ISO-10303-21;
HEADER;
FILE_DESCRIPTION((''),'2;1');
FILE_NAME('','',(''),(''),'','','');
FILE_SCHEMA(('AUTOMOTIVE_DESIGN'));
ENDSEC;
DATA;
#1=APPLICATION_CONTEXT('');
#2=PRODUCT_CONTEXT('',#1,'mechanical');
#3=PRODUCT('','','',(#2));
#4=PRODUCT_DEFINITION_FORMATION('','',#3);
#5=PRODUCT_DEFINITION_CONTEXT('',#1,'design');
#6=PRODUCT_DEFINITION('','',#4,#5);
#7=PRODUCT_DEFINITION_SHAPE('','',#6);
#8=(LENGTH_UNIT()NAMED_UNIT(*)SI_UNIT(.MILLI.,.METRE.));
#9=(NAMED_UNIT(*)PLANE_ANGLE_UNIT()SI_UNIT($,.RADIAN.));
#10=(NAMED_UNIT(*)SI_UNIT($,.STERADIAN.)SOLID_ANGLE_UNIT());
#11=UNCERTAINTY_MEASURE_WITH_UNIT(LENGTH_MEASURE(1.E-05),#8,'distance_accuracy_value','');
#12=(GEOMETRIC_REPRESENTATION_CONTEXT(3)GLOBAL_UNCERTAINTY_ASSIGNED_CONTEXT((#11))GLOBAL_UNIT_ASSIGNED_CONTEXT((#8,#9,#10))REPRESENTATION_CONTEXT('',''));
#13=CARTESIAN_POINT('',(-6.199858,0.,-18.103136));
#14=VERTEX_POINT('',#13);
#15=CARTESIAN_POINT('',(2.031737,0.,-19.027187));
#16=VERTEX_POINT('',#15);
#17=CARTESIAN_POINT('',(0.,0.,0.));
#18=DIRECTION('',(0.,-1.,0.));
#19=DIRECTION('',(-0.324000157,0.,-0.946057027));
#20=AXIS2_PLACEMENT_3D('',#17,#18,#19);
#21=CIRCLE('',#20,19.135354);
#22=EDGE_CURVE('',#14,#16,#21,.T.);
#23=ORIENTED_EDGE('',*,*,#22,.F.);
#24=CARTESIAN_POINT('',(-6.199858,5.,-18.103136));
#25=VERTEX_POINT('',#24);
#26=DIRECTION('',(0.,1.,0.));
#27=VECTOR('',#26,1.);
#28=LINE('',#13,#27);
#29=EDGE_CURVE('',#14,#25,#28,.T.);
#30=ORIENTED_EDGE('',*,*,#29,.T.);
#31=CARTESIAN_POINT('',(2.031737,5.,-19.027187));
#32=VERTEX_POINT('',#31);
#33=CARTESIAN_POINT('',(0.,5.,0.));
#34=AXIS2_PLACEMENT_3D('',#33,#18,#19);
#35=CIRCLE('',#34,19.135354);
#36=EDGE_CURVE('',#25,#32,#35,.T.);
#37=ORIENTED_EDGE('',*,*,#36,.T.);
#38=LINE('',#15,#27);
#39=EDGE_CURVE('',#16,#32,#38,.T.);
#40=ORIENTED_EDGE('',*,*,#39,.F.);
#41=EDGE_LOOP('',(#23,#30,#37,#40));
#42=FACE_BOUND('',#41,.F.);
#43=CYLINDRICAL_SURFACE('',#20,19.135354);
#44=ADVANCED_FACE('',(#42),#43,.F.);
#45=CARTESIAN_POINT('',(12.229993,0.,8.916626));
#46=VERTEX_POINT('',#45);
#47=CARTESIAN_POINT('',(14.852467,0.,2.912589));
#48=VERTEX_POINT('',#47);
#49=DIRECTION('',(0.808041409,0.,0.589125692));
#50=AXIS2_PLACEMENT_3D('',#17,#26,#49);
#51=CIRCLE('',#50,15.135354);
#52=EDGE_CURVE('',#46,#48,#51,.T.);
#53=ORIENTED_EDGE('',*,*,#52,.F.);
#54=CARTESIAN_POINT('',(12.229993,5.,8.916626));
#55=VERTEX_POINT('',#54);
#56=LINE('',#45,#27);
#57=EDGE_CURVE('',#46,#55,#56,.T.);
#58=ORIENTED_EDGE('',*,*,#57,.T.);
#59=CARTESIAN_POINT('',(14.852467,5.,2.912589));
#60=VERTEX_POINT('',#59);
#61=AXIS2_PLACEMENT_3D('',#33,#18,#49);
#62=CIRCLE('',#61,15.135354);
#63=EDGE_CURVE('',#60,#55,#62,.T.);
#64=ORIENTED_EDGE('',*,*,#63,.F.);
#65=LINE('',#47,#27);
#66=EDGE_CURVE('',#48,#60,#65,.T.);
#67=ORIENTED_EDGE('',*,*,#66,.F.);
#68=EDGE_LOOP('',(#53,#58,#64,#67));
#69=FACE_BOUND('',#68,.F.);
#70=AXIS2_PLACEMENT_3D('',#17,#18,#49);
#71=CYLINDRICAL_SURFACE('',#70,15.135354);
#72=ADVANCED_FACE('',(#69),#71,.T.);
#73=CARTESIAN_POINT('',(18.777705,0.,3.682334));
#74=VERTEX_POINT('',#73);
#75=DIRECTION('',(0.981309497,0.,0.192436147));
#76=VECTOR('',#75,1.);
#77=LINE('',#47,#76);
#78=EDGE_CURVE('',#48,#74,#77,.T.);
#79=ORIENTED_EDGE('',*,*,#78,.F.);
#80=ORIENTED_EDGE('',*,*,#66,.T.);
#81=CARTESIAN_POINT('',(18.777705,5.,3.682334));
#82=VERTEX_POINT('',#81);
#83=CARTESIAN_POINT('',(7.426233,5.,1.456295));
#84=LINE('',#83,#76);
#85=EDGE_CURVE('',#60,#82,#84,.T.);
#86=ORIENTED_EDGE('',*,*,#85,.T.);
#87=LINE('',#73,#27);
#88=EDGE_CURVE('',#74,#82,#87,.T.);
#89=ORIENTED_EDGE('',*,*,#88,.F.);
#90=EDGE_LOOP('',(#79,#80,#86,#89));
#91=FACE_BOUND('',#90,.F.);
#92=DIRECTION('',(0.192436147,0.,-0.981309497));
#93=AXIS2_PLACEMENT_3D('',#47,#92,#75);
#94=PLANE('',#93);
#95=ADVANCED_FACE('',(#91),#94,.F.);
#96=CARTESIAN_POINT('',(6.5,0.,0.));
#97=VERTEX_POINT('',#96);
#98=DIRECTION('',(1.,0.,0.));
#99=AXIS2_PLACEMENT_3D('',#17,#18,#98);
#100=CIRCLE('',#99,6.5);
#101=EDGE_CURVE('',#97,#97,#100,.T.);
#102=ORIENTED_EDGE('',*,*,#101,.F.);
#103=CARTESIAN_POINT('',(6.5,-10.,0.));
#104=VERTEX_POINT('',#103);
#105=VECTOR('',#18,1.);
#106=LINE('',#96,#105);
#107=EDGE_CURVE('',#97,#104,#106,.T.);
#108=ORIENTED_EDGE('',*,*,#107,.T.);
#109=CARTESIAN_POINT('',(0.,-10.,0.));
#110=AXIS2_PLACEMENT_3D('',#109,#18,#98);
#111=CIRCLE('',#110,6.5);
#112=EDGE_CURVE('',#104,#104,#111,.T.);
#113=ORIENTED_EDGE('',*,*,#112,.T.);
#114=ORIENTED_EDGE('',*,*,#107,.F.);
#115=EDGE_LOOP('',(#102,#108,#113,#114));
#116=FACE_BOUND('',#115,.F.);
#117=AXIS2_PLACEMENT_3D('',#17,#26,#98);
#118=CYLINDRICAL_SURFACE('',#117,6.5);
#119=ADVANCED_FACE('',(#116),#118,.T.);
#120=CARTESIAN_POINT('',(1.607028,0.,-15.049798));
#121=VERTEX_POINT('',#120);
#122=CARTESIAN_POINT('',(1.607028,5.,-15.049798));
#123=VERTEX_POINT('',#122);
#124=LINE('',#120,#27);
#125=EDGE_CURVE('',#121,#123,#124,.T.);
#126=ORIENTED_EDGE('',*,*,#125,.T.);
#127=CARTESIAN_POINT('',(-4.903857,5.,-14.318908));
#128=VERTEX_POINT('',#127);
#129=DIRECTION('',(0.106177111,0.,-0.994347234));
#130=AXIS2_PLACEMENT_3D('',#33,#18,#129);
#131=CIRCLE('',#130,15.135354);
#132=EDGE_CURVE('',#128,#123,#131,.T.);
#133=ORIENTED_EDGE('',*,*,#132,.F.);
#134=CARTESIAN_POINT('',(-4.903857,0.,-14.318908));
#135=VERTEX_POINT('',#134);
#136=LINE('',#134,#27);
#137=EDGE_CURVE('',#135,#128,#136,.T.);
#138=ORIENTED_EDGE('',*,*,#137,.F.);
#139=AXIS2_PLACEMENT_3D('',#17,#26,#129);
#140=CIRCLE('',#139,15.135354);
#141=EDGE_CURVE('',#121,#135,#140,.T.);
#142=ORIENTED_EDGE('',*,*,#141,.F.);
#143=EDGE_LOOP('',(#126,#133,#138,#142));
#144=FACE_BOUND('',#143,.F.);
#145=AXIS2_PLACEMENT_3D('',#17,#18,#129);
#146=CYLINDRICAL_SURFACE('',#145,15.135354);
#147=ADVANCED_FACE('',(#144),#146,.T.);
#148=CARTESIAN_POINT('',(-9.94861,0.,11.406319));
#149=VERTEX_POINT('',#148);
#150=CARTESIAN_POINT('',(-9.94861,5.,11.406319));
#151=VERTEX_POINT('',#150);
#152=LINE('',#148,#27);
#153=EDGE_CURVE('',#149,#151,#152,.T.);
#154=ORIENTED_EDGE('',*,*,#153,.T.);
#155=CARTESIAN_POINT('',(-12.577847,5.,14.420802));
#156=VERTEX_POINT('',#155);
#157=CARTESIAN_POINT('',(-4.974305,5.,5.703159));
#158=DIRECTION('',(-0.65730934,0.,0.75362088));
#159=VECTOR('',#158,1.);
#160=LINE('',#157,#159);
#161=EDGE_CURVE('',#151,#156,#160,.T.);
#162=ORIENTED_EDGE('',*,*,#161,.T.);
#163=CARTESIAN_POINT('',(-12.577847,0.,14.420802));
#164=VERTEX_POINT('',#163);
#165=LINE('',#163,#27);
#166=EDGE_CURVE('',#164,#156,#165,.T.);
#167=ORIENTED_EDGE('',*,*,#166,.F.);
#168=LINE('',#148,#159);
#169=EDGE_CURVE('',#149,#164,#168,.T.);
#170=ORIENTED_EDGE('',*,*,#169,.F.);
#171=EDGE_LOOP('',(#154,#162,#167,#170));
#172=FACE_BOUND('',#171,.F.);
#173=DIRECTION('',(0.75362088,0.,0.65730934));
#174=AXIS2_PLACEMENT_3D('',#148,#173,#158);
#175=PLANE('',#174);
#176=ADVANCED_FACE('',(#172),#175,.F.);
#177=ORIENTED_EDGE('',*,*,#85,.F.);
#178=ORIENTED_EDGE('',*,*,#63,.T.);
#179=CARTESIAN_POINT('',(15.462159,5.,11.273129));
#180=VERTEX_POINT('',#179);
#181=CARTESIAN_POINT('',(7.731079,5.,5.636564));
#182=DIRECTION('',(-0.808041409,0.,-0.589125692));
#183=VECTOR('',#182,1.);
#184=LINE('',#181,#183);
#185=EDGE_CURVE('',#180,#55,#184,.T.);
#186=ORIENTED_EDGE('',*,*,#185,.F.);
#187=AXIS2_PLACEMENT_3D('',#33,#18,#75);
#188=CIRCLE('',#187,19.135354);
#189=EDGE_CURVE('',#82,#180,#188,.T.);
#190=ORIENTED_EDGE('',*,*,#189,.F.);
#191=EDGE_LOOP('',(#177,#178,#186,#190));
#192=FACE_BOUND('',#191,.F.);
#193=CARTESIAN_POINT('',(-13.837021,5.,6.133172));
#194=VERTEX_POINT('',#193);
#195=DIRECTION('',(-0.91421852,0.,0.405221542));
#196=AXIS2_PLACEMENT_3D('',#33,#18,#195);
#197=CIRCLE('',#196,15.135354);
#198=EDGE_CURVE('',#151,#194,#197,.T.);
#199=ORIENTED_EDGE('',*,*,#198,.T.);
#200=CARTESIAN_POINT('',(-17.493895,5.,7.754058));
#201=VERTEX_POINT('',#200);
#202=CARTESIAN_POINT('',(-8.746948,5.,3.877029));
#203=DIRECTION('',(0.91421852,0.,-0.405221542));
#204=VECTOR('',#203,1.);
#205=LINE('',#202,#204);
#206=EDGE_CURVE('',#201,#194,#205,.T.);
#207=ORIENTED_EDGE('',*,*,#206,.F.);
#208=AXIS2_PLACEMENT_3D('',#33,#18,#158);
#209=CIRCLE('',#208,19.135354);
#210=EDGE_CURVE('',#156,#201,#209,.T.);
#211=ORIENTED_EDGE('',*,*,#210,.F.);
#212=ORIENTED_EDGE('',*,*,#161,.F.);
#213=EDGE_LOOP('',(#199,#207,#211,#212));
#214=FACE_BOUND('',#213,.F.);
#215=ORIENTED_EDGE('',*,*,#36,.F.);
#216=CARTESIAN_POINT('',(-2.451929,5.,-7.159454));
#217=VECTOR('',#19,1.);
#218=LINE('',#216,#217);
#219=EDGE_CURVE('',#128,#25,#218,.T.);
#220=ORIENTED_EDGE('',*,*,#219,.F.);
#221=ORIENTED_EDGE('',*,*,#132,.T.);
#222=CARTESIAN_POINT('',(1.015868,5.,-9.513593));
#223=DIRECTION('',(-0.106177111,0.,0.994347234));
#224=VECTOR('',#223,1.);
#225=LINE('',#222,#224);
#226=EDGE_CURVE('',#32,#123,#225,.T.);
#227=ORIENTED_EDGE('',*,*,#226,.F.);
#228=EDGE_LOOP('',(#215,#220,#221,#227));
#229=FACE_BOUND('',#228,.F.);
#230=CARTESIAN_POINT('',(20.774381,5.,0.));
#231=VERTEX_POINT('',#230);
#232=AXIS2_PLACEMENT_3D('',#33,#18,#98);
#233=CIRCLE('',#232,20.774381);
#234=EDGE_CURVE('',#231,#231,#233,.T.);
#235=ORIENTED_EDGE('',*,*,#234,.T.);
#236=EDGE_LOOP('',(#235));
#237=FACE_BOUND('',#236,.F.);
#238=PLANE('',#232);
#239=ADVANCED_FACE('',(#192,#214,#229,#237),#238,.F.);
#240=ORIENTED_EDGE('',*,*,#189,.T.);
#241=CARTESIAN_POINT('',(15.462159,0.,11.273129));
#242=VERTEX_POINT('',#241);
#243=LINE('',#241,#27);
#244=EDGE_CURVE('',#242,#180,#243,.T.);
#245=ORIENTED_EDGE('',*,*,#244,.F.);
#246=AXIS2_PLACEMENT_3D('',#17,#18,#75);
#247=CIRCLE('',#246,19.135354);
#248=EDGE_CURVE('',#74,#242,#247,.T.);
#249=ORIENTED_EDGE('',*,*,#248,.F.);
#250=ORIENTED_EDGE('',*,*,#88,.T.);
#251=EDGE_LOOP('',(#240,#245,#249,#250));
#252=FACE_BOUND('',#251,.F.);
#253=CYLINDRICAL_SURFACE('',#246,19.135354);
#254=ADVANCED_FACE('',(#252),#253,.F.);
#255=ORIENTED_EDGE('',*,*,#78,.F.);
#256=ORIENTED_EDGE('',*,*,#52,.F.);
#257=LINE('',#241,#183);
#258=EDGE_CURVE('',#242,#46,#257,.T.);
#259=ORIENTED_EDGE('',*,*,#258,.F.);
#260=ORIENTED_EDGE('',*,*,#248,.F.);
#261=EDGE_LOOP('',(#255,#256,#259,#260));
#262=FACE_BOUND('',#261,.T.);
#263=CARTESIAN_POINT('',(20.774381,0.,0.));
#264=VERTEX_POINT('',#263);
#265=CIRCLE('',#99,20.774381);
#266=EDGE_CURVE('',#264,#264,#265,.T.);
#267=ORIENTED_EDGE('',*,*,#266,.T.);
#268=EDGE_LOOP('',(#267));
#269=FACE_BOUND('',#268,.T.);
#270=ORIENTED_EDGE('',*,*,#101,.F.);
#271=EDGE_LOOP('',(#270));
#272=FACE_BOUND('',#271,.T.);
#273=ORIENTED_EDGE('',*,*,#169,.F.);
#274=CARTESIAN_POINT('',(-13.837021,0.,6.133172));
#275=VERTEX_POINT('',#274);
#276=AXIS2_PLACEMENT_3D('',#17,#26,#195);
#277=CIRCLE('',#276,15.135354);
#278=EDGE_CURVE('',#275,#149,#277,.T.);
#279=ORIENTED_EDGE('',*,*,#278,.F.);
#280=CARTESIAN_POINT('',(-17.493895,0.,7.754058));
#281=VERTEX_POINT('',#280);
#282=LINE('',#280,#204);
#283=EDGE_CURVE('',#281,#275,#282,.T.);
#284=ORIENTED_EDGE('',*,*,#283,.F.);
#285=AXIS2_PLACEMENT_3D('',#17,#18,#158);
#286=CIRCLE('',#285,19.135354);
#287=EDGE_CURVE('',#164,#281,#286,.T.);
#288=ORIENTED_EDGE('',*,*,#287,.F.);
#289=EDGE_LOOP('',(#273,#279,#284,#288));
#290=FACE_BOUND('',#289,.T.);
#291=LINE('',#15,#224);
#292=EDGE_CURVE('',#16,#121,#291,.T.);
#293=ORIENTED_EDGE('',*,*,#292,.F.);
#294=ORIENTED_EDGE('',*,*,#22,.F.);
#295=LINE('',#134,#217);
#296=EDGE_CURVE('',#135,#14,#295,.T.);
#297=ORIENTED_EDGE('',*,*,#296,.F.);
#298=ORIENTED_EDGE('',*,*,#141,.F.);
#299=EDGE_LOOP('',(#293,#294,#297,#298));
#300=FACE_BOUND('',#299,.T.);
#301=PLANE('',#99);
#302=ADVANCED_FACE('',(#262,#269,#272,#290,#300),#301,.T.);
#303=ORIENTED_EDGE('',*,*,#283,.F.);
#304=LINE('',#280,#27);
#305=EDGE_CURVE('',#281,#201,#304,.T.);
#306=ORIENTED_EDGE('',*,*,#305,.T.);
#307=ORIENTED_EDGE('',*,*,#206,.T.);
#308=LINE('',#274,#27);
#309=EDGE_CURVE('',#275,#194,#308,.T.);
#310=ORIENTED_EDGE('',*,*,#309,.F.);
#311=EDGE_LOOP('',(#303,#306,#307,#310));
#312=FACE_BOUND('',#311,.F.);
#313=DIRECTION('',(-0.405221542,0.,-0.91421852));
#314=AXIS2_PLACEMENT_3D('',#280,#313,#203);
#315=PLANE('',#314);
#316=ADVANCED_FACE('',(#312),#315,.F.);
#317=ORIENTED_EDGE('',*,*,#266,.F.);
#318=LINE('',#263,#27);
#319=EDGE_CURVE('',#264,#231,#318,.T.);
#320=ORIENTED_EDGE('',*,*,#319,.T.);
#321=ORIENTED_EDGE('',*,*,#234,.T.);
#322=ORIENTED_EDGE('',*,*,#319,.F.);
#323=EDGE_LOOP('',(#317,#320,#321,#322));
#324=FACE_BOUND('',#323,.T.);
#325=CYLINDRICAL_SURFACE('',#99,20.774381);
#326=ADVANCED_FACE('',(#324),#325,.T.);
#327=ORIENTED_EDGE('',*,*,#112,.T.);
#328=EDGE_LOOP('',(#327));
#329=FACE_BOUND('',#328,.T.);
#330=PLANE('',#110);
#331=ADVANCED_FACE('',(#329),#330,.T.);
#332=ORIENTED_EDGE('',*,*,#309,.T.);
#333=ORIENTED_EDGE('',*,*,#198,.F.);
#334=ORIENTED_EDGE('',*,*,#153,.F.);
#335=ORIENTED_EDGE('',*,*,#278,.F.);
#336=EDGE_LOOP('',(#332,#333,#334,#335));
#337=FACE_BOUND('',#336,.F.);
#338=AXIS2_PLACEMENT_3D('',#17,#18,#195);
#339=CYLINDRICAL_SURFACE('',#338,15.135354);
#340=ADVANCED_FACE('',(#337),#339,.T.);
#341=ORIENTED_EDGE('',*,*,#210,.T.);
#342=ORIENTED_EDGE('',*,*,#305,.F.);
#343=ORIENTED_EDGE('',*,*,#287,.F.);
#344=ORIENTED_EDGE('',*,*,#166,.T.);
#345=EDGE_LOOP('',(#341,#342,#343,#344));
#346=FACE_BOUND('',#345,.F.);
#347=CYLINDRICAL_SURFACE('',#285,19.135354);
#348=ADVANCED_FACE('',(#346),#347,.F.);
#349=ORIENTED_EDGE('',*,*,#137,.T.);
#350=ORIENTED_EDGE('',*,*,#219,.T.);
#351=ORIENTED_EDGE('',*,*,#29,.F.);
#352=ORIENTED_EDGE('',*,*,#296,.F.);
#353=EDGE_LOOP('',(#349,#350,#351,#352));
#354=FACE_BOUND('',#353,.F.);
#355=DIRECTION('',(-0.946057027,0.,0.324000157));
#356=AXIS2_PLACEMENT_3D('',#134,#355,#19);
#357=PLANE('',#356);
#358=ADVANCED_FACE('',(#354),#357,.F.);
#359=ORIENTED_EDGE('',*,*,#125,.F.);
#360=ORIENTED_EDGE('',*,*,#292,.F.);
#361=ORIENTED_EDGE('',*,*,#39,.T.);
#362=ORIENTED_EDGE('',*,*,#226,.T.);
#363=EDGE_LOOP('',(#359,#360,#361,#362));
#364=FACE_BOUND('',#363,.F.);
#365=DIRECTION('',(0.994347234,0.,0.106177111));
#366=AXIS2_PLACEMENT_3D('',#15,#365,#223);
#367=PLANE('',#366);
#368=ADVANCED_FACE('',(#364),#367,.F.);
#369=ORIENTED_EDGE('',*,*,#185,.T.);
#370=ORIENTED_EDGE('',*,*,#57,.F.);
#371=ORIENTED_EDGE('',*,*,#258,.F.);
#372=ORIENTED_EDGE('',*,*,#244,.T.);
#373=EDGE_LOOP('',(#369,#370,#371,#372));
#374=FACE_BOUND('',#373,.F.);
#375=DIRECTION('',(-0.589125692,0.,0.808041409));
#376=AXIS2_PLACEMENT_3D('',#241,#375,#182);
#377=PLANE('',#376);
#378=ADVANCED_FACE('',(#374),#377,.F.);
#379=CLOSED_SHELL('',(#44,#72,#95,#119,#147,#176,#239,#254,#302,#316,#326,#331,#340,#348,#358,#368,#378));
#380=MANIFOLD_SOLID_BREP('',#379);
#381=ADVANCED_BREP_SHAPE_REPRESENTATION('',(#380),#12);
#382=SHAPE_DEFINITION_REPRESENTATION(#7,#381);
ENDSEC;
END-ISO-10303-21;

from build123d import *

# Parameters (mm, degrees)
F0_R     = 6.5
F1_DEPTH = 10
F2_R     = 20.7743809462
F3_DEPTH = 5
F5_DEPTH = 25


with BuildPart() as f1:
    # F0 (on Front) → F1 (new body)
    with BuildSketch(Plane.XZ):
        Circle(F0_R)
    extrude(amount=F1_DEPTH)

    # F2 (on Front) → F3 (join)
    with BuildSketch(Plane.XZ):
        Circle(F2_R)
    extrude(amount=-F3_DEPTH)

    # F4 (on face) → F5 (cut)
    with BuildSketch(Plane.XZ):
        with BuildLine():
            Line((-9.9486096802, 11.406318953), (-12.577847041, 14.4208024743))
            ThreePointArc((-12.577847041, 14.4208024743), (-15.4009347645, 11.3566275174), (-17.493895192, 7.7540577249))
            Line((-17.493895192, 7.7540577249), (-13.8370211121, 6.1331715588))
            ThreePointArc((-13.8370211121, 6.1331715588), (-12.1815671778, 8.9826704114), (-9.9486096802, 11.406318953))
        make_face()
        with BuildLine():
            Line((14.8524668171, 2.9125892389), (18.7777048063, 3.6823338253))
            ThreePointArc((18.7777048063, 3.6823338253), (17.5355953137, 7.6592869894), (15.4621585682, 11.273128785))
            Line((15.4621585682, 11.273128785), (12.2299929317, 8.9166260164))
            ThreePointArc((12.2299929317, 8.9166260164), (13.870004359, 6.0582114282), (14.8524668171, 2.9125892389))
        make_face()
        with BuildLine():
            ThreePointArc((-6.1998577652, -18.1031362996), (-2.1346605491, -19.0159145068), (2.0317366238, -19.0271865099))
            Line((2.0317366238, -19.0271865099), (1.6070281804, -15.0497975752))
            ThreePointArc((1.6070281804, -15.0497975752), (-1.6884371812, -15.0408818396), (-4.9038571369, -14.3189081919))
            Line((-4.9038571369, -14.3189081919), (-6.1998577652, -18.1031362996))
        make_face()
    extrude(amount=-F5_DEPTH, mode=Mode.SUBTRACT)


solid = f1.part
